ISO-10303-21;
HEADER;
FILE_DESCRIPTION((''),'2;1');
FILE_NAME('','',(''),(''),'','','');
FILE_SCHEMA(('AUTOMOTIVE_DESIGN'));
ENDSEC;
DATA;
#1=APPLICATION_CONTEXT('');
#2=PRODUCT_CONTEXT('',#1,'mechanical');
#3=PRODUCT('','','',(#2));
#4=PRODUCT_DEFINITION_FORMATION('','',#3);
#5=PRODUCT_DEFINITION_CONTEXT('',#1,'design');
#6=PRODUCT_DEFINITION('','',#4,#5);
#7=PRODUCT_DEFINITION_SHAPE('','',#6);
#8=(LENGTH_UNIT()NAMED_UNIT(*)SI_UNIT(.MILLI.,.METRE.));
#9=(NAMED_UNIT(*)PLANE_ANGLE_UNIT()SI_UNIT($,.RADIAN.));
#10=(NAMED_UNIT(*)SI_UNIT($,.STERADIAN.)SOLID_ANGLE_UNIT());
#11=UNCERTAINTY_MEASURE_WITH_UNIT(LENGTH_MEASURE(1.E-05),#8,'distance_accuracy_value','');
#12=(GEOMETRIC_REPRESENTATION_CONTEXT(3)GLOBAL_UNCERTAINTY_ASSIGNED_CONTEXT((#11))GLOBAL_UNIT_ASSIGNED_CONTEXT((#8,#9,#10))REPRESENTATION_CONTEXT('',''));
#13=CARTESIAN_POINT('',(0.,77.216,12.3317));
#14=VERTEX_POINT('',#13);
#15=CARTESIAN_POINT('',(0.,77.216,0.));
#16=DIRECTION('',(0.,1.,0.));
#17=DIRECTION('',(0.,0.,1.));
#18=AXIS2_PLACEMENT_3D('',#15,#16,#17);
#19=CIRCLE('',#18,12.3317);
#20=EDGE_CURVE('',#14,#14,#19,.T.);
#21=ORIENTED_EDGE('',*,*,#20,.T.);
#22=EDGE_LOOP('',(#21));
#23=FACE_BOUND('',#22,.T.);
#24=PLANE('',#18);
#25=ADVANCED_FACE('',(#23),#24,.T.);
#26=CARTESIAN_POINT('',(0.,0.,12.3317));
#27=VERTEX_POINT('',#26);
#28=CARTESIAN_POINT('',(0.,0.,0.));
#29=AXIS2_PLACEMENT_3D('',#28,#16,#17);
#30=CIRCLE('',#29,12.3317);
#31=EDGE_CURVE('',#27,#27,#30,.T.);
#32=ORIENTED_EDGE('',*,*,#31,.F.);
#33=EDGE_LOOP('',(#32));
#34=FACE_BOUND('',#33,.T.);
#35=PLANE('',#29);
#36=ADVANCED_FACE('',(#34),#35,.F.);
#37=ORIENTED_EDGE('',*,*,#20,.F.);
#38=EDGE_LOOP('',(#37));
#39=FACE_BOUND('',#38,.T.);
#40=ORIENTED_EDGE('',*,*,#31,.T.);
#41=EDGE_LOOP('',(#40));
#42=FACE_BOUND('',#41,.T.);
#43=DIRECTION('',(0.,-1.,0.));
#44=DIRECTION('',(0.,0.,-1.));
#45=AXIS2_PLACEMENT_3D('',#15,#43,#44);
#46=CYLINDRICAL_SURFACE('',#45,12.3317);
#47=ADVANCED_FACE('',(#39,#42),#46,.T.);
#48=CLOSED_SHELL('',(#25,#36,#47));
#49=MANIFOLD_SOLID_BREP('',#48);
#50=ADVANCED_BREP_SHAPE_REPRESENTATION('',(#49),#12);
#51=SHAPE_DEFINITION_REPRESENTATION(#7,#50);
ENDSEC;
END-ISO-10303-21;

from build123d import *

# Parameters (mm, degrees)
SKETCH1_R           = 12.3317
BOSS_EXTRUDE1_DEPTH = 77.216


with BuildPart() as part:
    # Sketch1 → Boss-Extrude1 (new body)
    with BuildSketch(Plane(origin=(0, 0, 0), x_dir=(1, 0, 0), z_dir=(0, 1, 0))):
        with Locations(Location((0, 0, 0), (0, 0, 270))):
            Circle(SKETCH1_R)
    extrude(amount=BOSS_EXTRUDE1_DEPTH)


solid = part.part
